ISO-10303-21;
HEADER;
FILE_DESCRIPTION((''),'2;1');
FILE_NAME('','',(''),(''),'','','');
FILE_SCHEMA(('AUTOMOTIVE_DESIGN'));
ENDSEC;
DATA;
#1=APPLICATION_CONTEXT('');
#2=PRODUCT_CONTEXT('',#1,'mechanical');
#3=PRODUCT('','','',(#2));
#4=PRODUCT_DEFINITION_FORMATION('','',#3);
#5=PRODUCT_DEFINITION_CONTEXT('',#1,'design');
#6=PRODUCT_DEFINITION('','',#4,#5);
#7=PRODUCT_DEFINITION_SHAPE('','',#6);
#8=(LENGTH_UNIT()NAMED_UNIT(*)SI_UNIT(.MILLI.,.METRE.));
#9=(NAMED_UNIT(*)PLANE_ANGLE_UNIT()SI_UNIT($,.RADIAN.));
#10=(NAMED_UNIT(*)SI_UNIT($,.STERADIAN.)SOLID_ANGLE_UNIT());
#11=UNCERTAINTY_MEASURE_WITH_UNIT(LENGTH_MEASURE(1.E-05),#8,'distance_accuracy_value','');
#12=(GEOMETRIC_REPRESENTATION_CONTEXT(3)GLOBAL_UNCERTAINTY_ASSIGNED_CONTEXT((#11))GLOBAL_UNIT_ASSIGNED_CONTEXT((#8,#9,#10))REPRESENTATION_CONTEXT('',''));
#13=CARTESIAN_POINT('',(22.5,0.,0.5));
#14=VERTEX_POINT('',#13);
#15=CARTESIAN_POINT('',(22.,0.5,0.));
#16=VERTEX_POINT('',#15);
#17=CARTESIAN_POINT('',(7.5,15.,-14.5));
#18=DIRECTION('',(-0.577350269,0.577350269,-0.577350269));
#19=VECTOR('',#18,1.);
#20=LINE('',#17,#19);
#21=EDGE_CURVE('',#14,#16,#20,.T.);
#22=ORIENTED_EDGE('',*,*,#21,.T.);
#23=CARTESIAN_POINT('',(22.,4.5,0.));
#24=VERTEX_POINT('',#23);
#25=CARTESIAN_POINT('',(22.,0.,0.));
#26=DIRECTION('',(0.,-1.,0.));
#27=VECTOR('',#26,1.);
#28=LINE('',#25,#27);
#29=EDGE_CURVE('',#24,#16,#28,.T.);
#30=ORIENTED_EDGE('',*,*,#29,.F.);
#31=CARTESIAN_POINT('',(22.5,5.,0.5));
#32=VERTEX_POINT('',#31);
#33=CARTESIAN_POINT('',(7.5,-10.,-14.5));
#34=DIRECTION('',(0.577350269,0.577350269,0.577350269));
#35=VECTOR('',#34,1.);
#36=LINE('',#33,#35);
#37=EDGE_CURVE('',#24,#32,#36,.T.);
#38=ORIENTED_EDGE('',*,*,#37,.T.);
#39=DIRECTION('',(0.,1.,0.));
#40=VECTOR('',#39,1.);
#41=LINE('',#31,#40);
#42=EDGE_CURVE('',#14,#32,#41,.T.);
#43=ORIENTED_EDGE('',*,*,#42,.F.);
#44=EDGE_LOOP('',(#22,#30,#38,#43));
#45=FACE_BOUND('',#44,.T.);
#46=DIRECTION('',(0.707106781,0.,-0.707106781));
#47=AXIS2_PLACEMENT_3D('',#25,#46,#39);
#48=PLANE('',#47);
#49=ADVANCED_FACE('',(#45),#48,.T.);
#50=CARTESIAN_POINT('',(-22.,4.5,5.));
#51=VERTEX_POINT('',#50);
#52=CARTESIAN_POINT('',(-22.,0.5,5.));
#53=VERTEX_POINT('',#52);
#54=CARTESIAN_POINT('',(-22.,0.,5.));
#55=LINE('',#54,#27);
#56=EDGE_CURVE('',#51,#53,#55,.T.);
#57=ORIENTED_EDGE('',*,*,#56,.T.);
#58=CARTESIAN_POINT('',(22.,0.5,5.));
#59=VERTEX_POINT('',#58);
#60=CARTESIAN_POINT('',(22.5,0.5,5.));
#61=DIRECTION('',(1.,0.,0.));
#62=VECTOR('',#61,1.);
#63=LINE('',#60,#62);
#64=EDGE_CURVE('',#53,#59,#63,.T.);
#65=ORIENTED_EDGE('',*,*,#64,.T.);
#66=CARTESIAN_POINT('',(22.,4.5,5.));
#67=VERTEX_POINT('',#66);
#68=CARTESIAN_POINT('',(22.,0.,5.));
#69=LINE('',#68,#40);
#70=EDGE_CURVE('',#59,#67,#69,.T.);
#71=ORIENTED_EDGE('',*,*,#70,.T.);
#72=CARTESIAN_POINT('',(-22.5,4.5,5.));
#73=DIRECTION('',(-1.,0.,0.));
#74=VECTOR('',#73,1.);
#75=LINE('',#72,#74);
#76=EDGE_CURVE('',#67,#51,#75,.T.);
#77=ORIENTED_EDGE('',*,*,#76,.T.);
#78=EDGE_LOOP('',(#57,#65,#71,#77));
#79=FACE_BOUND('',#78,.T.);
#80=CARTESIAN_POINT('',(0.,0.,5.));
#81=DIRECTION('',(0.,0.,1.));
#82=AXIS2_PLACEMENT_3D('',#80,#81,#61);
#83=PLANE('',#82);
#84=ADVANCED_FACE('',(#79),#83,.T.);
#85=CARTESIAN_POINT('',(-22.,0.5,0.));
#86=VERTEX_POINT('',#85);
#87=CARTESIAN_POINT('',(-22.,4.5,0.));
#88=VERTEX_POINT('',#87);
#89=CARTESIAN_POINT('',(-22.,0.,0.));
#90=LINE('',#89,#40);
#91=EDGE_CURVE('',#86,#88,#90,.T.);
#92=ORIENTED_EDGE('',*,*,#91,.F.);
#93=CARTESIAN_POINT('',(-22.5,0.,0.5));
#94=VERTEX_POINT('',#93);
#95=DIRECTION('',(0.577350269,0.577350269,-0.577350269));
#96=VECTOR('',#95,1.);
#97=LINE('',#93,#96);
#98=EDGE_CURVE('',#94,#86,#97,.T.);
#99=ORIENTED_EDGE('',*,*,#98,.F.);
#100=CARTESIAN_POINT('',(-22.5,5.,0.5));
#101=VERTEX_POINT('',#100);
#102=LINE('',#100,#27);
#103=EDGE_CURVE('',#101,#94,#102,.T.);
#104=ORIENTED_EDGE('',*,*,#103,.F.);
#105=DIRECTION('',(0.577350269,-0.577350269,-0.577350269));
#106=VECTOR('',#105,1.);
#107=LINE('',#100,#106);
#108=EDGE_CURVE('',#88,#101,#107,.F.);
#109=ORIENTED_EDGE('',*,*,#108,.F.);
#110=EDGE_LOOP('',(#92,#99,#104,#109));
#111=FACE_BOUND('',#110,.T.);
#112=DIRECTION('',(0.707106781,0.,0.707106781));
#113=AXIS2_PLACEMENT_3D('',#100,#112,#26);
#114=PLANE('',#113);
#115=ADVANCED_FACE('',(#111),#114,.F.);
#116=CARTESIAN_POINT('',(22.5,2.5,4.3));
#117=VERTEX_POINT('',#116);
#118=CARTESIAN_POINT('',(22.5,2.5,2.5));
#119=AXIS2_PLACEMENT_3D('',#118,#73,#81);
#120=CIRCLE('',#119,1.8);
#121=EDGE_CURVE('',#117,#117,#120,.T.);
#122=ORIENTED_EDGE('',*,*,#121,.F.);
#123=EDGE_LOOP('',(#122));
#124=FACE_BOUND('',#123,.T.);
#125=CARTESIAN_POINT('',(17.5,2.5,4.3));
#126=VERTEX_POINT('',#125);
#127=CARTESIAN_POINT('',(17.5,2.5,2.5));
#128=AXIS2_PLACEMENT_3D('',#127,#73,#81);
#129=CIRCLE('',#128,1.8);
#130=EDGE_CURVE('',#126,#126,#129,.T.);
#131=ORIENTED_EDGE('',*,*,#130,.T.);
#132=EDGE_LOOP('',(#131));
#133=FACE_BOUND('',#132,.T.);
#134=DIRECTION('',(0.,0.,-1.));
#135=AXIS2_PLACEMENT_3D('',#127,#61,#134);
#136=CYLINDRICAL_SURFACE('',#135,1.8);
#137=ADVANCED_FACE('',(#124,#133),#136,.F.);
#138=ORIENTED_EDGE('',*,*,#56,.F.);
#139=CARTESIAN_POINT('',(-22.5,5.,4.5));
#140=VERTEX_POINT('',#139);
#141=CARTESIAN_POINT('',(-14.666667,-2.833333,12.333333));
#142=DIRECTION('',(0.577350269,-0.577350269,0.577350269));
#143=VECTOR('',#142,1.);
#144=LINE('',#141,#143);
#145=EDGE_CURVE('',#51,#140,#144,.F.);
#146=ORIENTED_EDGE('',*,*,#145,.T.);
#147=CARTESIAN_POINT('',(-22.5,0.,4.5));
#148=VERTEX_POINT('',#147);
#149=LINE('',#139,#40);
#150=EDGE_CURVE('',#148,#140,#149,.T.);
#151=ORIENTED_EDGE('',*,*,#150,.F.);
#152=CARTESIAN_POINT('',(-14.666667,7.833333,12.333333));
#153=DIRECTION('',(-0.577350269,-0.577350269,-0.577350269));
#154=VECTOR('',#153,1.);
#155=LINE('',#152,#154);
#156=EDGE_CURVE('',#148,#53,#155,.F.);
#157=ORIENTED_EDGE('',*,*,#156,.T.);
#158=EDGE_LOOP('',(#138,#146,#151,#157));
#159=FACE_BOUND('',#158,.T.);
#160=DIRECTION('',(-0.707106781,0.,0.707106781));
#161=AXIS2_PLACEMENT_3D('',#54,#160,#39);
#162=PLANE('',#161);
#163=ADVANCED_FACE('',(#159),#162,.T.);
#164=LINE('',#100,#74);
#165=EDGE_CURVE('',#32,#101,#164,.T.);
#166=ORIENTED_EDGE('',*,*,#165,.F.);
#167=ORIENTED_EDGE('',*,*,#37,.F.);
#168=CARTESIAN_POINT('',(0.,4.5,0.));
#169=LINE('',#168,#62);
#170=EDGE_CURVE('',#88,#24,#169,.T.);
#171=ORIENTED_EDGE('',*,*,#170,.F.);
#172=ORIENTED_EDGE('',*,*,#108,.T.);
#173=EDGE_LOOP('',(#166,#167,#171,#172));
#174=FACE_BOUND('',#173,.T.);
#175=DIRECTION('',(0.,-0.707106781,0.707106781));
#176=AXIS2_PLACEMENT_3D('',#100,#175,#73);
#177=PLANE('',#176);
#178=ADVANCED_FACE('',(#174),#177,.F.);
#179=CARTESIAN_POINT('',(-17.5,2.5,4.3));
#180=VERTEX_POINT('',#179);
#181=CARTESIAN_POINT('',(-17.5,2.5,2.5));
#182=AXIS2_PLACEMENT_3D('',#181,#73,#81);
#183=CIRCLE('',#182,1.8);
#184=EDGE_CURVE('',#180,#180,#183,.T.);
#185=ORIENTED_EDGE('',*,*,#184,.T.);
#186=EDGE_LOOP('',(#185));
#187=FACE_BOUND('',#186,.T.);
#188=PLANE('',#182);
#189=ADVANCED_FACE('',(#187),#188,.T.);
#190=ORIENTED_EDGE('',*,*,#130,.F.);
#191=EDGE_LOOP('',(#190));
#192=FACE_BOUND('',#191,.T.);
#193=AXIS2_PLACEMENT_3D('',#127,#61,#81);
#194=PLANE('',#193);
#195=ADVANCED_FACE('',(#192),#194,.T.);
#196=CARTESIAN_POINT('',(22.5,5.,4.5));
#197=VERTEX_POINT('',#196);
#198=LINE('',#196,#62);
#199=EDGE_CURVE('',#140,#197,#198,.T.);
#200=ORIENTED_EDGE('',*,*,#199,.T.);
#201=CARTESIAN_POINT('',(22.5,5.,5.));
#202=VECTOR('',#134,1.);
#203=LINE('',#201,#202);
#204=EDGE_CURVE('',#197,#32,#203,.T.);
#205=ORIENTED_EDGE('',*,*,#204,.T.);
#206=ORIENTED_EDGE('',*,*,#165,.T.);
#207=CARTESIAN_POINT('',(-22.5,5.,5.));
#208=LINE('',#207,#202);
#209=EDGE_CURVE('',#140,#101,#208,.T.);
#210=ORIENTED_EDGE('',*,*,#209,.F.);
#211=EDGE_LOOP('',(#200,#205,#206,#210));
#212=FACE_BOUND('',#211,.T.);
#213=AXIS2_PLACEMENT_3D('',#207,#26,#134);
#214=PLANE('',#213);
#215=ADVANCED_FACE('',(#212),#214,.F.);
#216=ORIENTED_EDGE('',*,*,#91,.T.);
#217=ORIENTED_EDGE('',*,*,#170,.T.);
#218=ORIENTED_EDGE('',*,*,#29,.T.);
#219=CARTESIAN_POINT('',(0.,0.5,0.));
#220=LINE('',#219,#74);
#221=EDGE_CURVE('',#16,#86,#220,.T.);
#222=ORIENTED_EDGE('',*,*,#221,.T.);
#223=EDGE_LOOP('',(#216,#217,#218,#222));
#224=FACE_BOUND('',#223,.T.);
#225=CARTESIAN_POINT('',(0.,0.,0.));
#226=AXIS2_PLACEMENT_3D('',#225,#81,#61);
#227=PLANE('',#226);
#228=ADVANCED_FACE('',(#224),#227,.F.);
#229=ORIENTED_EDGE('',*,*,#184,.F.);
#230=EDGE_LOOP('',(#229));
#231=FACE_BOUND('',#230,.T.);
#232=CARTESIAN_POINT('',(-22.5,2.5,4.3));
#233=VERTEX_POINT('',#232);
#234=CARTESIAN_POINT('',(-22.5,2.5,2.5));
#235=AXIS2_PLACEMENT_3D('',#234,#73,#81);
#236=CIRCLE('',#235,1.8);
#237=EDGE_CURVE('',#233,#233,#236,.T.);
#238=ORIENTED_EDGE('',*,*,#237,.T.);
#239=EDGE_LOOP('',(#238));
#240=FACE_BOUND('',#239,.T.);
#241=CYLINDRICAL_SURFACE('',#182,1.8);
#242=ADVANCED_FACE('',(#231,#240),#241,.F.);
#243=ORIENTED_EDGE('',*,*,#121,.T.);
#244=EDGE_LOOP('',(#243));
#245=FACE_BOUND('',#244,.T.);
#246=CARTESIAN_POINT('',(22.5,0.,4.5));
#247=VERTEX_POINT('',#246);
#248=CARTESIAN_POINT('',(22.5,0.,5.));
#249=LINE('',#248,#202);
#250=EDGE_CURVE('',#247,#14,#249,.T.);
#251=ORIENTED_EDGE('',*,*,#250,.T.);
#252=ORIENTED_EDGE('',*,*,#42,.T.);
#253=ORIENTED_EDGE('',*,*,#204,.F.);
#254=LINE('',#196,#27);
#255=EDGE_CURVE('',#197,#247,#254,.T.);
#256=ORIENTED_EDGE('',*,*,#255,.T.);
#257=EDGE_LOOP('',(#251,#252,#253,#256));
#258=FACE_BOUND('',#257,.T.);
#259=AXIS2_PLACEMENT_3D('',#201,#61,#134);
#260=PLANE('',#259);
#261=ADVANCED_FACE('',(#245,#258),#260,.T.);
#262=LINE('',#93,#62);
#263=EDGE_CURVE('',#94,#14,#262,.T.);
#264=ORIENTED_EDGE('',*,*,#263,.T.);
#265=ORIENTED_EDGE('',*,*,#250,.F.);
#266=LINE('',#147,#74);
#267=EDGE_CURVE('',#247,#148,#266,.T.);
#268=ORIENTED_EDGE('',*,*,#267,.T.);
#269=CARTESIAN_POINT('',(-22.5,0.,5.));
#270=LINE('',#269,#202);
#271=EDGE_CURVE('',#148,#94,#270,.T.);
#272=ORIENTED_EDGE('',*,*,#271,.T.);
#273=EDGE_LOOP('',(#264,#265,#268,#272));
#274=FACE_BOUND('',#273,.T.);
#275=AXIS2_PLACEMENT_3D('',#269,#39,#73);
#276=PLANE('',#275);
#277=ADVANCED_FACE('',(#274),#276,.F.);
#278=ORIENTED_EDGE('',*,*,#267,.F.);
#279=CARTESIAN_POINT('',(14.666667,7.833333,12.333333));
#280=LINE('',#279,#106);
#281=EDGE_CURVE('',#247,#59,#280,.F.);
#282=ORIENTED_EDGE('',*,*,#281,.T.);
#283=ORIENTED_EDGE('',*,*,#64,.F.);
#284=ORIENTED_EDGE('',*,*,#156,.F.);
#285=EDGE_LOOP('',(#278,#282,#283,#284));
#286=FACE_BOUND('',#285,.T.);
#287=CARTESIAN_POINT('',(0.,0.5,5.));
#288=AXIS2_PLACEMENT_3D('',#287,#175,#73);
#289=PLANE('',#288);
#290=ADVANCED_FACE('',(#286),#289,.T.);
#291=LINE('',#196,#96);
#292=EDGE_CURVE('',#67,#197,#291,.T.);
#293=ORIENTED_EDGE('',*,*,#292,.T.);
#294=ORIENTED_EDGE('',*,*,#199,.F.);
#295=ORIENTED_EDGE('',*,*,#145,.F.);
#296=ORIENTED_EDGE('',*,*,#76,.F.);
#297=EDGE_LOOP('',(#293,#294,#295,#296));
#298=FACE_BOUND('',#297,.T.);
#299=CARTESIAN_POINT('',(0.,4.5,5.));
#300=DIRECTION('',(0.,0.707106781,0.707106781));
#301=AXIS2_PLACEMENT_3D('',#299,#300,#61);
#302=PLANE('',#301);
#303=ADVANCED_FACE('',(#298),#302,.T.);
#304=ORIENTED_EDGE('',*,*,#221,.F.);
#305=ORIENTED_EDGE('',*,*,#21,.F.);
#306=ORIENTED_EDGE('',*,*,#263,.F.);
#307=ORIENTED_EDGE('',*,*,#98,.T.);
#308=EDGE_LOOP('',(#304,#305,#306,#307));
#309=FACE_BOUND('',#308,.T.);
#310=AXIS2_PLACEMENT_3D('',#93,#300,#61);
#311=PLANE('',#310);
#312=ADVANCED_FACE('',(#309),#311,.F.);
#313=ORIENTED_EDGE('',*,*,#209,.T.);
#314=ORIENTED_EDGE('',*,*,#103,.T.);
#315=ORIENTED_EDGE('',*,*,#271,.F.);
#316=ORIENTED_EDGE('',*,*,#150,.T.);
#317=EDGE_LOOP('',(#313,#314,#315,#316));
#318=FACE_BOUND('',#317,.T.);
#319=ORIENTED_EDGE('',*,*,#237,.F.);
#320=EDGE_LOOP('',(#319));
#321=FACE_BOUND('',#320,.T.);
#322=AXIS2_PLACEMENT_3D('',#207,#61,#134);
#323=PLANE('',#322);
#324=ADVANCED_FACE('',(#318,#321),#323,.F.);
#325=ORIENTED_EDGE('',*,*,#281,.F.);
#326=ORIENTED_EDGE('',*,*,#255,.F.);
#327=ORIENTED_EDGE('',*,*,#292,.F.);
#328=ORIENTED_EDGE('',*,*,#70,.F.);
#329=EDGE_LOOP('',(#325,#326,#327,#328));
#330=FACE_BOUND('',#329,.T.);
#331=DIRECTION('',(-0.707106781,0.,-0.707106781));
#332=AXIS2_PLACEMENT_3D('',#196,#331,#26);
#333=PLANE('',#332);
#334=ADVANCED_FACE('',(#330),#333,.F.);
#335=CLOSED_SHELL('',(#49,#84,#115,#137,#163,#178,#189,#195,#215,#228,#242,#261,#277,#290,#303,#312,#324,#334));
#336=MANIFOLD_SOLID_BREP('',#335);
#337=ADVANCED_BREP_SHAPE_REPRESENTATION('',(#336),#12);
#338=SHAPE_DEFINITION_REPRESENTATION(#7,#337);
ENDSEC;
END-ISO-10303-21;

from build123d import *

# Parameters (mm, degrees)
SKETCH1_W           = 22.5
SKETCH1_H           = 5
BOSS_EXTRUDE1_DEPTH = 5
SKETCH2_R           = 1.8
CUT_EXTRUDE1_DEPTH  = 5
CHAMFER1_SIZE       = 0.5


with BuildPart() as part:
    # Sketch1 → Boss-Extrude1 (new body)
    with BuildSketch(Plane.XY):
        with Locations((-11.25, 2.5)):
            Rectangle(SKETCH1_W, SKETCH1_H)
    boss_extrude1 = extrude(amount=BOSS_EXTRUDE1_DEPTH)

    # Sketch2 → Cut-Extrude1 (cut)
    with BuildSketch(Plane.ZY.offset(22.5)):
        with Locations((2.5, 2.5)):
            Circle(SKETCH2_R)
    cut_extrude1 = extrude(amount=-CUT_EXTRUDE1_DEPTH, mode=Mode.SUBTRACT)

    # Mirror1: Boss-Extrude1, Cut-Extrude1 across plane
    add(boss_extrude1.mirror(Plane(origin=(0, 0, 0), x_dir=(0, 0, 1), z_dir=(1, 0, 0))))
    add(cut_extrude1.mirror(Plane(origin=(0, 0, 0), x_dir=(0, 0, 1), z_dir=(1, 0, 0))), mode=Mode.SUBTRACT)

    # Chamfer1
    chamfer1_edges = [part.edges().sort_by_distance(p)[0] for p in [
        (0, 5, 5),
        (-22.5, 2.5, 5),
        (22.5, 2.5, 5),
        (22.5, 2.5, 0),
        (0, 0, 5),
        (-22.5, 2.5, 0),
        (0, 5, 0),
        (0, 0, 0),
    ]]
    chamfer(chamfer1_edges, length=CHAMFER1_SIZE)


solid = part.part
